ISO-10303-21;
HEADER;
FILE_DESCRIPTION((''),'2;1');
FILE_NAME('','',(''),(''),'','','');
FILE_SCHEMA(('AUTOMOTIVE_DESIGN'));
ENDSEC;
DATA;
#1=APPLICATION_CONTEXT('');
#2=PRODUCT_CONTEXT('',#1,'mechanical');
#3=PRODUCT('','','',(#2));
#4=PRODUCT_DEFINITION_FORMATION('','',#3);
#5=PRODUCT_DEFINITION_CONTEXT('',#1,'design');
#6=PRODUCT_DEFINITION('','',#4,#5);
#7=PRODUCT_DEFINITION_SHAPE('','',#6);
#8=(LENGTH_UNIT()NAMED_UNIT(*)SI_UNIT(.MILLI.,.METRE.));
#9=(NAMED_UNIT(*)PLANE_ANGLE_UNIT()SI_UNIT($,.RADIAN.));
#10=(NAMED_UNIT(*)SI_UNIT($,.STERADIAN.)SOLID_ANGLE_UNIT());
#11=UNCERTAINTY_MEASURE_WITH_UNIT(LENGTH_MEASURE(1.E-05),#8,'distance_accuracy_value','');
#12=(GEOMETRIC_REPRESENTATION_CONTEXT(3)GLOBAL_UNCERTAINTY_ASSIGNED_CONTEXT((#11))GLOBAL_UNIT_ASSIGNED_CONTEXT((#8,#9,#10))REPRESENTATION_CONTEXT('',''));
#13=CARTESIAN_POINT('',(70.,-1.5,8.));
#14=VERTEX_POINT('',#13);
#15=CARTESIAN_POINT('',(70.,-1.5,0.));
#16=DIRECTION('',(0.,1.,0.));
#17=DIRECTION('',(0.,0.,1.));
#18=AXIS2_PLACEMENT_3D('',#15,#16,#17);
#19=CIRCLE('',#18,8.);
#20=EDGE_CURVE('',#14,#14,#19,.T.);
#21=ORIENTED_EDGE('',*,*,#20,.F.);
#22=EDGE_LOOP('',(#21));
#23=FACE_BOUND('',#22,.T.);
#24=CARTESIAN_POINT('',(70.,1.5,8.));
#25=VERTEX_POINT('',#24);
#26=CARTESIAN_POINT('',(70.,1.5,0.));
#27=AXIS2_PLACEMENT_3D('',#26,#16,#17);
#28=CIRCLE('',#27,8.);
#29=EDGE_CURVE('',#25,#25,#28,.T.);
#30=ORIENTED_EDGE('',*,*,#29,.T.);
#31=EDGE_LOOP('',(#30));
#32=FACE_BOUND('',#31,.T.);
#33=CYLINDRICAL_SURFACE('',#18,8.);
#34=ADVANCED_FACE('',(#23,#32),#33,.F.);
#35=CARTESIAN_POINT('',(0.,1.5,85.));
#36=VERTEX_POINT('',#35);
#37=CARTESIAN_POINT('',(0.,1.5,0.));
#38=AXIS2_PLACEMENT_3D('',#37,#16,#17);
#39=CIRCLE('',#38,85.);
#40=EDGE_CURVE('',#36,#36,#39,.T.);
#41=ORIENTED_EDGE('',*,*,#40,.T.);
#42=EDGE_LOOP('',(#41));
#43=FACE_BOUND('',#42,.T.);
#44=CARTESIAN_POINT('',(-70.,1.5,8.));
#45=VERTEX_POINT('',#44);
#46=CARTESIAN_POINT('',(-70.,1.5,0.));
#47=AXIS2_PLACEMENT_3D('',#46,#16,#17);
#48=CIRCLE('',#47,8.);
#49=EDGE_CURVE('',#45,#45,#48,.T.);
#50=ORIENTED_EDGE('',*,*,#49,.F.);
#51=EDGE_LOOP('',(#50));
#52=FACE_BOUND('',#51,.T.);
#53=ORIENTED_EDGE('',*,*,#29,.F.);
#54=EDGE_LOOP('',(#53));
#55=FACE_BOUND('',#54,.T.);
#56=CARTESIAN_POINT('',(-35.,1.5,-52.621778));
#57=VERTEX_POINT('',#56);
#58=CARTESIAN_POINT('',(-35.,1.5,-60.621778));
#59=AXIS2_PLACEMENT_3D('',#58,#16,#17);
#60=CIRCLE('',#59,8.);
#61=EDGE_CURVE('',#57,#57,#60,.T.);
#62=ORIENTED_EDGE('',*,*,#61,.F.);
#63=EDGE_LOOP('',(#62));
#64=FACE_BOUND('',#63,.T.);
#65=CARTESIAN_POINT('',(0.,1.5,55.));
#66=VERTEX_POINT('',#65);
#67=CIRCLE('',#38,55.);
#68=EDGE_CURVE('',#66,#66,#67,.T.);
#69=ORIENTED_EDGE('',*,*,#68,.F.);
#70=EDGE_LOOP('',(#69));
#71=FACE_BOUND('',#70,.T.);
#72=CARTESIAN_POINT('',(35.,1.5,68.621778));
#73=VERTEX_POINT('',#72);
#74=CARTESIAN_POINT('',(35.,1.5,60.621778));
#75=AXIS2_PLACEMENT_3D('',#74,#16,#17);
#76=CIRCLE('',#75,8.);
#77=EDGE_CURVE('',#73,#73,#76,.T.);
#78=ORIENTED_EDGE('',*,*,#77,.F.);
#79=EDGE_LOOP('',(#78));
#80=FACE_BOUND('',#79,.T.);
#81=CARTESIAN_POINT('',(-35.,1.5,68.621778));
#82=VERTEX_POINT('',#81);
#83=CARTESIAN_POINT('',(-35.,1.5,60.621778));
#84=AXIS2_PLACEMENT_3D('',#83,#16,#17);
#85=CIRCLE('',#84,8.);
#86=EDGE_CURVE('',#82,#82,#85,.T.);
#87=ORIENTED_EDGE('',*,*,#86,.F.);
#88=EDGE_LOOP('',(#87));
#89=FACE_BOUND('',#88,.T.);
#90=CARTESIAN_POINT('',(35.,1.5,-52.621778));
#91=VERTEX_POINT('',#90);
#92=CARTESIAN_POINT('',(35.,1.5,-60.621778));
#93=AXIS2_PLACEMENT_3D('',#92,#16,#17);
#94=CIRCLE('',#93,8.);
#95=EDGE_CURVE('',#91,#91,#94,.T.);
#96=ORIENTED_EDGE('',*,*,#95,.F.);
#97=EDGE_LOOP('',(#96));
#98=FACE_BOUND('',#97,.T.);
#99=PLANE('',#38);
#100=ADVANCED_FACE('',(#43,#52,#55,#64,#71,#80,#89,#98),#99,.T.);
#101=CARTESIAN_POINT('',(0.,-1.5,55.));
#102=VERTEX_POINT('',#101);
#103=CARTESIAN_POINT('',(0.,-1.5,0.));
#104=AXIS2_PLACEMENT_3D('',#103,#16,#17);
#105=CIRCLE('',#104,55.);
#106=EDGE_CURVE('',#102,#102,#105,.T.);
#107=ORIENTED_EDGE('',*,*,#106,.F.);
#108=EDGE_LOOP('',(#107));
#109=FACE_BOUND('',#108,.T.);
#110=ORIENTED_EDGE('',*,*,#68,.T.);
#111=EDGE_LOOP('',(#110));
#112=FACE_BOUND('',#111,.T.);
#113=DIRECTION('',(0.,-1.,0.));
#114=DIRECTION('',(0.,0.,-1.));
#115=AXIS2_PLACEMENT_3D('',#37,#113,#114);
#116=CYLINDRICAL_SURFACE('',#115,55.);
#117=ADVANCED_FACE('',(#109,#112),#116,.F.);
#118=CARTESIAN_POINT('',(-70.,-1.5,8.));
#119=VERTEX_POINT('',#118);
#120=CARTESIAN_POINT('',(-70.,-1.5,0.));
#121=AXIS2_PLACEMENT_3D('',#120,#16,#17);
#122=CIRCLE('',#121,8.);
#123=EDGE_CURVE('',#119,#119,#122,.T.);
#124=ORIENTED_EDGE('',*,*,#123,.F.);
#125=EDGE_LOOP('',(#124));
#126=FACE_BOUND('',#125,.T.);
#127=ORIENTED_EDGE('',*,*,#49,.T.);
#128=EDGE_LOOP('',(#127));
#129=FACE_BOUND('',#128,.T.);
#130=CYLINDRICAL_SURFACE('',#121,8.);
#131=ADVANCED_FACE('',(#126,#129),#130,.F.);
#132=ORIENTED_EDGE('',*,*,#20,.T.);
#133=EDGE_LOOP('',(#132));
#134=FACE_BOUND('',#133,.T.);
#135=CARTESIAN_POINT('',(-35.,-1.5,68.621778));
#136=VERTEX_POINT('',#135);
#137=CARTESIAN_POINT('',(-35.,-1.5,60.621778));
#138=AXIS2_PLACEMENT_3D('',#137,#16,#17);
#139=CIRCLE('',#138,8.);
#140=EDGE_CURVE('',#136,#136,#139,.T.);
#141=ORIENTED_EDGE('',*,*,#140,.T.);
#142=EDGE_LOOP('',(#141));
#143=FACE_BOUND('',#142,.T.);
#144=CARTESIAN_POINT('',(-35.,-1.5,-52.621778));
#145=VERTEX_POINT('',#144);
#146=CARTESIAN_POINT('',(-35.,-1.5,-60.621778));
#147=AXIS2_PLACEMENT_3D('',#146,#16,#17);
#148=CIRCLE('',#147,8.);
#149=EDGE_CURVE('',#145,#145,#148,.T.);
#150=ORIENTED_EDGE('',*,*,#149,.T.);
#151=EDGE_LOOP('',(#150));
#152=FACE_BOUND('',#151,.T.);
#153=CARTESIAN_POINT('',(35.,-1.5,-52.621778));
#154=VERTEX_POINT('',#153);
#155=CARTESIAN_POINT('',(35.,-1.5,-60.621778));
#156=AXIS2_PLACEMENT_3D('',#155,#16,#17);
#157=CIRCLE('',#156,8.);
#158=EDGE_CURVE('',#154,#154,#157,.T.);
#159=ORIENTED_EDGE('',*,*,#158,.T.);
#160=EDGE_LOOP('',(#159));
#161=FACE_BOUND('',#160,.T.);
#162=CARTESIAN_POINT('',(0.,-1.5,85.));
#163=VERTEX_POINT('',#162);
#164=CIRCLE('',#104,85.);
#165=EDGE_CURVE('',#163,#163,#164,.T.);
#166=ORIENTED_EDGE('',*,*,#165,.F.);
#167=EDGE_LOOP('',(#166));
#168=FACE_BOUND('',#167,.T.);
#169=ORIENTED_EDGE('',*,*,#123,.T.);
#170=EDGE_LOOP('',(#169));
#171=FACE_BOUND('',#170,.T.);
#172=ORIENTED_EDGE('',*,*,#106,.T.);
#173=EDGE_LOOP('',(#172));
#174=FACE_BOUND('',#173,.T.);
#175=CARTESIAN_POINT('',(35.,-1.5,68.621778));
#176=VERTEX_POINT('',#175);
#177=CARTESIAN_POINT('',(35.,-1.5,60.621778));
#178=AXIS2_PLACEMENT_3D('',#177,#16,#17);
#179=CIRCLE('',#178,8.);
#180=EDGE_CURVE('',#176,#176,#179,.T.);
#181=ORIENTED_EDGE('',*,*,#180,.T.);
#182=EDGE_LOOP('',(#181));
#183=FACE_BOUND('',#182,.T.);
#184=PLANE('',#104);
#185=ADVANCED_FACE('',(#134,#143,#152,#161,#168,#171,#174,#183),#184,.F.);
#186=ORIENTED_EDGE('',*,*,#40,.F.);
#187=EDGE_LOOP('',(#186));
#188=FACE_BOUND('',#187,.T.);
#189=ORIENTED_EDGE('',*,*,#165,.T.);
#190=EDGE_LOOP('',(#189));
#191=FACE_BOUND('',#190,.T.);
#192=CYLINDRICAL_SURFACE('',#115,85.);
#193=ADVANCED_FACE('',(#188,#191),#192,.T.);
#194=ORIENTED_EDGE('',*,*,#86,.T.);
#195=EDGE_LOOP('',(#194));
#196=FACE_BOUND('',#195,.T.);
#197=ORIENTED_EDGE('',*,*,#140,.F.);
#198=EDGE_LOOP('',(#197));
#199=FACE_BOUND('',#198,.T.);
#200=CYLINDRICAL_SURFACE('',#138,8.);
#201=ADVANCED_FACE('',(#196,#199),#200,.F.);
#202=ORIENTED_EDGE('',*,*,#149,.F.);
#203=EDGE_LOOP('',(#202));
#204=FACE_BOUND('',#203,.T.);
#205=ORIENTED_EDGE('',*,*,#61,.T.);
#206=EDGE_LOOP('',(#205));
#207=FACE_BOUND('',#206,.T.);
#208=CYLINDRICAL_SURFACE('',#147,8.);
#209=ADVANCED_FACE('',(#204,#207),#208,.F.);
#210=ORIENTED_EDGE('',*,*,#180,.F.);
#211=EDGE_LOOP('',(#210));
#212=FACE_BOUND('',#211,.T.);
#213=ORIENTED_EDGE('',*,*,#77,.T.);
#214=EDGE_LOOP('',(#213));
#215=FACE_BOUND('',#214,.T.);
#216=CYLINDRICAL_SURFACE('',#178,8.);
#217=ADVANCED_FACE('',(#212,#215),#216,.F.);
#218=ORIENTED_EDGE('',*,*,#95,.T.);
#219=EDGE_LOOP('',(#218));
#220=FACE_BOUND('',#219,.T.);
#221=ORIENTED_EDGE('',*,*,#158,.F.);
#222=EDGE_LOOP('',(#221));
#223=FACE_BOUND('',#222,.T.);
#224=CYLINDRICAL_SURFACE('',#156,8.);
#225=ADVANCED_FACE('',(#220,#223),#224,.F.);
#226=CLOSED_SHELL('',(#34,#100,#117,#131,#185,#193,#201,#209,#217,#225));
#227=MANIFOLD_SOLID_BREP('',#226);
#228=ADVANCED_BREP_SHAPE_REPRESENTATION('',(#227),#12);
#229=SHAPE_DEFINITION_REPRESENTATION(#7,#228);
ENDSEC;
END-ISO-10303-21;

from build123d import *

# Parameters (mm, degrees)
SKETCH1_R               = 85
SKETCH1_R_2             = 55
BOSS_EXTRUDE1_DEPTH     = 1.5
CUT_EXTRUDE1_DEPTH      = 121.245582039
CUT_EXTRUDE1_DEPTH_BACK = 121.245582039
SKETCH2_R               = 8


with BuildPart() as part:
    # Sketch1 → Boss-Extrude1 (new, symmetric)
    with BuildSketch(Plane(origin=(0, 0, 0), x_dir=(1, 0, 0), z_dir=(0, 1, 0))):
        with Locations(Location((0, 0, 0), (0, 0, 270))):
            Circle(SKETCH1_R)
        with Locations(Location((0, 0, 0), (0, 0, 270))):
            Circle(SKETCH1_R_2, mode=Mode.SUBTRACT)
    extrude(amount=BOSS_EXTRUDE1_DEPTH, both=True)

    # Sketch2 → Cut-Extrude1 (cut, two sides: drawn at the far end of the back side and taken through both)
    with BuildSketch(Plane(origin=(0, 1.5, 0), x_dir=(1, 0, 0), z_dir=(0, 1, 0)).offset(-CUT_EXTRUDE1_DEPTH_BACK)):
        with Locations(Location((70, 0, 0), (0, 0, 270))):
            Circle(SKETCH2_R)
        with Locations(Location((35, -60.621778265, 0), (0, 0, 270))):
            Circle(SKETCH2_R)
        with Locations(Location((-35, -60.621778265, 0), (0, 0, 270))):
            Circle(SKETCH2_R)
        with Locations(Location((-70, 0, 0), (0, 0, 270))):
            Circle(SKETCH2_R)
        with Locations(Location((-35, 60.621778265, 0), (0, 0, 270))):
            Circle(SKETCH2_R)
        with Locations(Location((35, 60.621778265, 0), (0, 0, 270))):
            Circle(SKETCH2_R)
    extrude(amount=CUT_EXTRUDE1_DEPTH + CUT_EXTRUDE1_DEPTH_BACK, mode=Mode.SUBTRACT)


solid = part.part
